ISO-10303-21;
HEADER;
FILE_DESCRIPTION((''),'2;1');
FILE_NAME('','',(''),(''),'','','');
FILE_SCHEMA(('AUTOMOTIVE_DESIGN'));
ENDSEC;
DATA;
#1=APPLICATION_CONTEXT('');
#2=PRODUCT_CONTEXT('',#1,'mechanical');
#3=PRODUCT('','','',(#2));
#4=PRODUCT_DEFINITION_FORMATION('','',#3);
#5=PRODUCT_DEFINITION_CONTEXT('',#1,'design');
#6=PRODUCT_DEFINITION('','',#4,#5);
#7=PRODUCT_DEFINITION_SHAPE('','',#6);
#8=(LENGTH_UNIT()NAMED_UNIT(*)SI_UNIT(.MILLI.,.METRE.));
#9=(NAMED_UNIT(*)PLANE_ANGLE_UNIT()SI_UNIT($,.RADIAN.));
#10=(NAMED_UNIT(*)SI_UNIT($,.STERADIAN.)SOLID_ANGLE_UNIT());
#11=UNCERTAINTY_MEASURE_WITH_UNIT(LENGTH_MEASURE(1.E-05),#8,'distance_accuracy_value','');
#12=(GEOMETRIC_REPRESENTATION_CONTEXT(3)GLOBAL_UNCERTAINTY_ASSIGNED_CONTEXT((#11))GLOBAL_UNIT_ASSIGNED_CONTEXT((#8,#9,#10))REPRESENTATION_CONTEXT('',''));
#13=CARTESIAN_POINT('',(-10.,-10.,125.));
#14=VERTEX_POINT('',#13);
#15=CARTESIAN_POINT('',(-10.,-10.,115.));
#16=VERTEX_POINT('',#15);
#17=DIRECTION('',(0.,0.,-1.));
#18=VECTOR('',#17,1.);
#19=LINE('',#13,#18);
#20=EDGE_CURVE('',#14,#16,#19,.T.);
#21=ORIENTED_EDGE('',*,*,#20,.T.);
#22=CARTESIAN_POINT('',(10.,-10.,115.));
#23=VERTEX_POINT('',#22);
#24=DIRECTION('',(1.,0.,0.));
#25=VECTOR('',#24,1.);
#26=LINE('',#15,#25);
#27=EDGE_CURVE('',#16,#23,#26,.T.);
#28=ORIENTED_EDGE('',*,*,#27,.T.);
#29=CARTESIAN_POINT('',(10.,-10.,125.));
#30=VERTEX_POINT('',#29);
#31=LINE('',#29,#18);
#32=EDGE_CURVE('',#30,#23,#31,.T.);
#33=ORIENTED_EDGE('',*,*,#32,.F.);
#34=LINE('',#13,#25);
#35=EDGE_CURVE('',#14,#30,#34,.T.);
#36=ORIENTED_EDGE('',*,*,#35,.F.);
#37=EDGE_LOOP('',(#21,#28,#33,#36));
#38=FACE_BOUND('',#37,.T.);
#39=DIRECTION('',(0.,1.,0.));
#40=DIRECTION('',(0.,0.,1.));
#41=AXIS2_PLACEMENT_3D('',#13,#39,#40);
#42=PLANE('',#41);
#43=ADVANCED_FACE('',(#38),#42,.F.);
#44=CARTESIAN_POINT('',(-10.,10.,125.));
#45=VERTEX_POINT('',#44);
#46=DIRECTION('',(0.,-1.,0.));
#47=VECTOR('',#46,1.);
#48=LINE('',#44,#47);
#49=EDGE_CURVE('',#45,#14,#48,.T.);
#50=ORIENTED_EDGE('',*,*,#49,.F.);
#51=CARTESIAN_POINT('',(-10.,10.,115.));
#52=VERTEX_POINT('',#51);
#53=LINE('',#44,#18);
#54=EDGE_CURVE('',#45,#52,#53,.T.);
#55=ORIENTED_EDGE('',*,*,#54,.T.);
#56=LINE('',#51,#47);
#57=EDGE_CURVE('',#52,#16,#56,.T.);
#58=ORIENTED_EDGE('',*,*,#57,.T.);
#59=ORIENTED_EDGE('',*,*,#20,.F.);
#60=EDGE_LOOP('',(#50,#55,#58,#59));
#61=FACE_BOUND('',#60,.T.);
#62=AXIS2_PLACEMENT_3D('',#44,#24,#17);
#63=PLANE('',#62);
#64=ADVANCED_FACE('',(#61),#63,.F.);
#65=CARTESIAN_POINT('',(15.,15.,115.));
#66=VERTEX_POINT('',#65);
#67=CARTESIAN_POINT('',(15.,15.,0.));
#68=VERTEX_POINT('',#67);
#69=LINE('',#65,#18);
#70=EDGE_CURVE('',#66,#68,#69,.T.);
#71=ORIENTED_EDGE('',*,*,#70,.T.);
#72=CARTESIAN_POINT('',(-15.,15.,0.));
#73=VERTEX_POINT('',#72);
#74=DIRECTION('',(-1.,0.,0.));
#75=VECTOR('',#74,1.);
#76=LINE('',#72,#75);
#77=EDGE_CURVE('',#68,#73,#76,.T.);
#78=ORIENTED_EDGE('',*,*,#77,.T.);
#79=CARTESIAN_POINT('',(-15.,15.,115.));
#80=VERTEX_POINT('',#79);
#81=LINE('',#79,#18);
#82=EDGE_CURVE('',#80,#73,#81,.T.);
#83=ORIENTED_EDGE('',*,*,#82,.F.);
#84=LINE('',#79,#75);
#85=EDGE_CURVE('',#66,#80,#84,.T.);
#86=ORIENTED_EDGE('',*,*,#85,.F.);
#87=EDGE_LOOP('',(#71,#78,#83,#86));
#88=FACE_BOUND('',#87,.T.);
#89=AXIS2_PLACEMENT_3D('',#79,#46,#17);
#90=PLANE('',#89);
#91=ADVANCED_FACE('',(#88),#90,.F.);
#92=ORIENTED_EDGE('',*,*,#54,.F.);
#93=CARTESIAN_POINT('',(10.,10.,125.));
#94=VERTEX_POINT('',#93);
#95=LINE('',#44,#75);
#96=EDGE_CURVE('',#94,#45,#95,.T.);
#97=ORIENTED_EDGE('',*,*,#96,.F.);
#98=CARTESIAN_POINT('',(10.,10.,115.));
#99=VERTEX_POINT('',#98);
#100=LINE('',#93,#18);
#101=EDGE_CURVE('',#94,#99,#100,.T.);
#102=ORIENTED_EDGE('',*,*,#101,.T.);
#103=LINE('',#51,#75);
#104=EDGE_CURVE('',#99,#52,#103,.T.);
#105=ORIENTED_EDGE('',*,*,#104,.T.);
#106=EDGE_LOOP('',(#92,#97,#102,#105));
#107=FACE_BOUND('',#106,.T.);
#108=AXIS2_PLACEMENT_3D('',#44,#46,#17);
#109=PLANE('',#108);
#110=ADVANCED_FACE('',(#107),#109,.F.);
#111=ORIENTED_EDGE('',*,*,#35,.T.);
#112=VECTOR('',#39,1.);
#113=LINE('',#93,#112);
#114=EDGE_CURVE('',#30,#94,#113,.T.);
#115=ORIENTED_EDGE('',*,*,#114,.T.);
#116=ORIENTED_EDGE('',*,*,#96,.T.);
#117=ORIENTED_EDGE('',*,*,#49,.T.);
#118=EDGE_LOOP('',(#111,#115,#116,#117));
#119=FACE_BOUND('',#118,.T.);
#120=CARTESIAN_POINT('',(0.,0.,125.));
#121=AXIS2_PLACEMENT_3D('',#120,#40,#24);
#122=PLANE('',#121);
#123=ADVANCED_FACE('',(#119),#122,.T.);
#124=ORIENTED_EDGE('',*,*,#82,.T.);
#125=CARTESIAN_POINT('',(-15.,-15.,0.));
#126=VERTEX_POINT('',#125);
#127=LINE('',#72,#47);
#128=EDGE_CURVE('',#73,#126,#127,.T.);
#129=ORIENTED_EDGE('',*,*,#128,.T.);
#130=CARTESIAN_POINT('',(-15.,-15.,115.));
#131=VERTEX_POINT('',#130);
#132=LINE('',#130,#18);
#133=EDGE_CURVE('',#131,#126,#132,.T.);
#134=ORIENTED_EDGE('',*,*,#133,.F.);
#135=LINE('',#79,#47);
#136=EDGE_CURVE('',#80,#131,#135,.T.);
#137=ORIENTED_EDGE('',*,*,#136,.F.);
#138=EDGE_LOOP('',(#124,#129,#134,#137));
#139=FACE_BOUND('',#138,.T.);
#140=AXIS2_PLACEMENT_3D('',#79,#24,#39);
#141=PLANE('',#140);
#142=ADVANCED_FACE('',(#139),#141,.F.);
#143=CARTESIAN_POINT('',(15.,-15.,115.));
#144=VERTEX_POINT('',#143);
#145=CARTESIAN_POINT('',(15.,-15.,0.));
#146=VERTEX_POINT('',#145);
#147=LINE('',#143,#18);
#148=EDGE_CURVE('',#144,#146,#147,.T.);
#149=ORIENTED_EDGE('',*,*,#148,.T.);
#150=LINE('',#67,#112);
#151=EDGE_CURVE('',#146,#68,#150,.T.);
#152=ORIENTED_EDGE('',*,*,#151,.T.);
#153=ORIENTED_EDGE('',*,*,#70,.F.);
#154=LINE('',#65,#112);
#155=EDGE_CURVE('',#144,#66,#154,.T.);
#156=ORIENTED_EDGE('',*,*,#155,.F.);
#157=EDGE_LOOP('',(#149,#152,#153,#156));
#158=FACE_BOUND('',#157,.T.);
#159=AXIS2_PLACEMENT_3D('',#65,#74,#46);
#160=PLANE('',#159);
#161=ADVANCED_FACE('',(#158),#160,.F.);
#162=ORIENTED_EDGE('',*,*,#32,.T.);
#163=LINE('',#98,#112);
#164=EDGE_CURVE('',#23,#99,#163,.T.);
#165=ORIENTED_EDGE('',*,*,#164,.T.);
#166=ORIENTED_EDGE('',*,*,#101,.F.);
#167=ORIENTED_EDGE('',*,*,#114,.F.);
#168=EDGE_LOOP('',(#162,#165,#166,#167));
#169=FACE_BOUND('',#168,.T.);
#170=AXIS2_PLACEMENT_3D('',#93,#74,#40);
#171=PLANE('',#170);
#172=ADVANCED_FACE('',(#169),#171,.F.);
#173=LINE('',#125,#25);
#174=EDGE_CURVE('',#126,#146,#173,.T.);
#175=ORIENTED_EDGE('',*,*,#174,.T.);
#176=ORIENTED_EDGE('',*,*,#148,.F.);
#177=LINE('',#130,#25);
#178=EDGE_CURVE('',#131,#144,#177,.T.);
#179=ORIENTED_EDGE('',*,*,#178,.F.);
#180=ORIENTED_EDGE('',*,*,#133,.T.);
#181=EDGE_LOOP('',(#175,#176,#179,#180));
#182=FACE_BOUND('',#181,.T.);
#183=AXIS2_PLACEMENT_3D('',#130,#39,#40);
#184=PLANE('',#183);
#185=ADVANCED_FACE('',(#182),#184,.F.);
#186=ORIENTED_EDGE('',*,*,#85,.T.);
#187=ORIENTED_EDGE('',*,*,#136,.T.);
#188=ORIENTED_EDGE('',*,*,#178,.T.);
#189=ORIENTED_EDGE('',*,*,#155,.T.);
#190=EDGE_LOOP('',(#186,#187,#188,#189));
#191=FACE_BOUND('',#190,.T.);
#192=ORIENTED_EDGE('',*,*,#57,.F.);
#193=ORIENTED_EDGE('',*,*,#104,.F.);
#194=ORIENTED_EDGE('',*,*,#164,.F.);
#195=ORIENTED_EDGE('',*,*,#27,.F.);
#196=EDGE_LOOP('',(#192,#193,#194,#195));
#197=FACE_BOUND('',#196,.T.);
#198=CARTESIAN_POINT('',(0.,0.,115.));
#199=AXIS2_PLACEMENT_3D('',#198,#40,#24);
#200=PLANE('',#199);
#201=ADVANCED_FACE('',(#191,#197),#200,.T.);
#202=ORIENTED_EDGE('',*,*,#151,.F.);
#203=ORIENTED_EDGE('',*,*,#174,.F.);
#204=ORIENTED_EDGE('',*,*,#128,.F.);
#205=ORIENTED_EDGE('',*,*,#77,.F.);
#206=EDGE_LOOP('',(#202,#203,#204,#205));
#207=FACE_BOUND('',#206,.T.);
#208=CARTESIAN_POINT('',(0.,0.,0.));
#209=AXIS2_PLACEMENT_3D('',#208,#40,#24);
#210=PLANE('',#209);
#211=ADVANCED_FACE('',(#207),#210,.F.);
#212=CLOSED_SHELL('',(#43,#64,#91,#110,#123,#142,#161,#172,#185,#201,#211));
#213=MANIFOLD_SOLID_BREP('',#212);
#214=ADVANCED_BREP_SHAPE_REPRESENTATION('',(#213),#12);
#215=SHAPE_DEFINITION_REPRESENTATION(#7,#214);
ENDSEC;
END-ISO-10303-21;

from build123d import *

# Parameters (mm, degrees)
SKETCH1_W           = 30
SKETCH1_H           = 30
BOSS_EXTRUDE1_DEPTH = 115
SKETCH2_W           = 20
SKETCH2_H           = 20
BOSS_EXTRUDE2_DEPTH = 10


with BuildPart() as part:
    # Sketch1 → Boss-Extrude1 (new body)
    with BuildSketch(Plane.XY):
        Rectangle(SKETCH1_W, SKETCH1_H)
    extrude(amount=BOSS_EXTRUDE1_DEPTH)

    # Sketch2 → Boss-Extrude2 (add)
    with BuildSketch(Plane.XY.offset(115)):
        Rectangle(SKETCH2_W, SKETCH2_H)
    extrude(amount=BOSS_EXTRUDE2_DEPTH)


solid = part.part
